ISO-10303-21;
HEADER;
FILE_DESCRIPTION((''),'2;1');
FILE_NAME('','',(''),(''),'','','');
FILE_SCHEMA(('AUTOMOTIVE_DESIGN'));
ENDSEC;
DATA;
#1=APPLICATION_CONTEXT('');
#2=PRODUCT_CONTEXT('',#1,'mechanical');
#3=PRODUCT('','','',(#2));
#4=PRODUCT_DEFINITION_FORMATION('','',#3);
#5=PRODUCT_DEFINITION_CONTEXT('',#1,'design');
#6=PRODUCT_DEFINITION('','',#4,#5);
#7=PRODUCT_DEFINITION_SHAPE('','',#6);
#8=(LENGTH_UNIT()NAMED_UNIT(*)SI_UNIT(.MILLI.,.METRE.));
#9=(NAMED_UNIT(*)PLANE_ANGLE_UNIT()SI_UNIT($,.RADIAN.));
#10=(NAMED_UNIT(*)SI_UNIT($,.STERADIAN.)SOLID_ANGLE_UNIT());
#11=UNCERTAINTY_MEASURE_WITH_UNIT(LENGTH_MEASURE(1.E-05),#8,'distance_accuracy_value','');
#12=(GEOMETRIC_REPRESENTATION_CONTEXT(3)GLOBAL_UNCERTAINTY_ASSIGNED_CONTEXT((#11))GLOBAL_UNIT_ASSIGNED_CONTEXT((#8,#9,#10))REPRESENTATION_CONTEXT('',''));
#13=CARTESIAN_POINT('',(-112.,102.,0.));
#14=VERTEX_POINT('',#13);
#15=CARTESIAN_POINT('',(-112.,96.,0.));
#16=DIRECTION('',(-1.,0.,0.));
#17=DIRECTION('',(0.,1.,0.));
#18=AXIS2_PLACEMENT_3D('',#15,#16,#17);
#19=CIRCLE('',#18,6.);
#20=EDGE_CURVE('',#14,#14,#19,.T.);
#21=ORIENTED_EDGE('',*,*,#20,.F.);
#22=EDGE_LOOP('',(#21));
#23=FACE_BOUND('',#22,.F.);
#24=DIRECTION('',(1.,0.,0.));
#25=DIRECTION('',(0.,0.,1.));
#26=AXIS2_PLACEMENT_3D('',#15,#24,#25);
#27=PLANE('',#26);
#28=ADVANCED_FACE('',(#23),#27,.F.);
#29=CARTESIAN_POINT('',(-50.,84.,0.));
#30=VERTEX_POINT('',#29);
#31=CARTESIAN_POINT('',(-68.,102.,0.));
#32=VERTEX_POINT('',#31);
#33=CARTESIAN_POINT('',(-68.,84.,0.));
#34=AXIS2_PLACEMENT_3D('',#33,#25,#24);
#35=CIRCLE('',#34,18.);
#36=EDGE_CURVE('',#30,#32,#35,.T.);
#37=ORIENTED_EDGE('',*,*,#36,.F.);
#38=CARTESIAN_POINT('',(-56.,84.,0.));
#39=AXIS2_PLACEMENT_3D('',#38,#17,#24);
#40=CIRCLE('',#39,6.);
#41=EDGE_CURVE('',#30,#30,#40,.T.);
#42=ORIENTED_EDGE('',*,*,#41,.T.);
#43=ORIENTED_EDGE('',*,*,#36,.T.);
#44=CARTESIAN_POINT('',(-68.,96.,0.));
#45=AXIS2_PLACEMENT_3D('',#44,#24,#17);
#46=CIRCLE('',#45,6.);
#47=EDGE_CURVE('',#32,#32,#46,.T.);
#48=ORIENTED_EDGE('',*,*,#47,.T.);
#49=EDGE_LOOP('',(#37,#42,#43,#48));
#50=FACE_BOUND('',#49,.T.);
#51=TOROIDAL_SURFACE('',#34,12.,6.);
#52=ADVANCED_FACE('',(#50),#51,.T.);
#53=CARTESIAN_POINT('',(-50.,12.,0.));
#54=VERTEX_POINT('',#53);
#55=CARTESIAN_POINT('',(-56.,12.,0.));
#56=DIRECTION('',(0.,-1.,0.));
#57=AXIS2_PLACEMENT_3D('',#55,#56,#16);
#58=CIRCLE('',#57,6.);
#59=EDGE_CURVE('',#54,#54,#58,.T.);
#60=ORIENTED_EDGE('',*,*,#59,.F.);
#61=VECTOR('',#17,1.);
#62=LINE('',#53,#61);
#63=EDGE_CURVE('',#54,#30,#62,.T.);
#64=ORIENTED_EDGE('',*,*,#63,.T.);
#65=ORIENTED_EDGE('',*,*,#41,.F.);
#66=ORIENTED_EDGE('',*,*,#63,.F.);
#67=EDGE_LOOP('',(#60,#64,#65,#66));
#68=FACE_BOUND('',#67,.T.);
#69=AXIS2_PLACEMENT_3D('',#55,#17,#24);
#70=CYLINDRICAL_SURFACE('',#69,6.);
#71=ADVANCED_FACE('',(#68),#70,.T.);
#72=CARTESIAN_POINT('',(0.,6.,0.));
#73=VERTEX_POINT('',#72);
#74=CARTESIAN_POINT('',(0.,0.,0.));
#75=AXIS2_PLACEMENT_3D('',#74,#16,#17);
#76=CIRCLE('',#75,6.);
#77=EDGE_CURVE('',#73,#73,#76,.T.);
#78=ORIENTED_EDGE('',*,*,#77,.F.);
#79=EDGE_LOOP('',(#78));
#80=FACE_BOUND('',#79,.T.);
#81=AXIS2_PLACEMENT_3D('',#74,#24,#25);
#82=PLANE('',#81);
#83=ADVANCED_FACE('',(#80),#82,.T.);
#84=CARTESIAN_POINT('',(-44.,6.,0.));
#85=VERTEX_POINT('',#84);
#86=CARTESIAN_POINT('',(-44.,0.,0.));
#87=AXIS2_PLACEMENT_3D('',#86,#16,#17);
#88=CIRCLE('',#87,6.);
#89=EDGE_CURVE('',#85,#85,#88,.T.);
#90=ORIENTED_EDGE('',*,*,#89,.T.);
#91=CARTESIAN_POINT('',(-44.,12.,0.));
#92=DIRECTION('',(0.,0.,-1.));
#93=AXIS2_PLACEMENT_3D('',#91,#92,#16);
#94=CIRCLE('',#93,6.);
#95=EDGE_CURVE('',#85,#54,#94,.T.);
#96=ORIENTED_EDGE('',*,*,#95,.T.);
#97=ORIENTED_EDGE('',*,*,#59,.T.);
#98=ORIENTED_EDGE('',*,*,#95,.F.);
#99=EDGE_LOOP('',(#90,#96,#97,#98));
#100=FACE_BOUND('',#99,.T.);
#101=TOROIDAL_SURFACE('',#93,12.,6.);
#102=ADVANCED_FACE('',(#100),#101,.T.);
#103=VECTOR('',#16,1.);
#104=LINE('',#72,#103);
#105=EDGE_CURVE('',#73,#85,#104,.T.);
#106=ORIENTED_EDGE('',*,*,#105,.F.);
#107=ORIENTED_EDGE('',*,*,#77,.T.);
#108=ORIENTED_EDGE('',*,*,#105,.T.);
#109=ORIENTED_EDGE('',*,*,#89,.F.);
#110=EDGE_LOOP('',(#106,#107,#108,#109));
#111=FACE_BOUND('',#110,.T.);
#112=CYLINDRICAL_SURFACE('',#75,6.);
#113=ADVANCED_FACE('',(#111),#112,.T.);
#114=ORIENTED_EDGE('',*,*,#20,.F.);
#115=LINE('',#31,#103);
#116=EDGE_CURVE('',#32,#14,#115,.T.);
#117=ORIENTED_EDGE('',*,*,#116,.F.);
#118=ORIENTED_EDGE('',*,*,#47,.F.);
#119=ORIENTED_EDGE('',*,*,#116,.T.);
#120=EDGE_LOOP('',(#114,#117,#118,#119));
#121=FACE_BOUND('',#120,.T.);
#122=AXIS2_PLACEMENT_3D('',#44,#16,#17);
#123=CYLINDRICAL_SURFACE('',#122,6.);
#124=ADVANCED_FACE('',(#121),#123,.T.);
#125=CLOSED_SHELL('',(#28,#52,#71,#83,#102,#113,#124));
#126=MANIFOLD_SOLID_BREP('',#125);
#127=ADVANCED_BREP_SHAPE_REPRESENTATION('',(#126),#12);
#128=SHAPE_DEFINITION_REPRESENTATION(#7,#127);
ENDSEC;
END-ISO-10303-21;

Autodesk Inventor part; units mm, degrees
ref_plane "YZ Plane" through (0, 0, 0) normal (1, 0, 0) x (0, 1, 0)
ref_plane "XZ Plane" through (0, 0, 0) normal (0, 1, 0) x (-1, 0, 0)
ref_plane "XY Plane" through (0, 0, 0) normal (0, 0, 1) x (1, 0, 0)
sketch "Sketch2" plane through (0, 0, 0) normal (0, 0, 1) x (1, 0, 0)
  line L0 (0, 0) -> (-44, 0)
  line L1 (-56, 12) -> (-56, 84)
  line L2 (-68, 96) -> (-112, 96)
  arc A0 (-56, 84) -> (-68, 96) centre (-68, 84) ccw
  arc A1 (-56, 12) -> (-44, 0) centre (-44, 12) ccw
  point P0 (-56, 0)
  point P1 (-56, 96)
  dimension "d0" = 56
  dimension "d1" = 96
  dimension "d2" = 56
  dimension "d3" = 12
sketch "Sketch3" plane through (0, 0, 0) normal (1, 0, 0) x (0, 1, 0)
  circle A0 centre (0, 0) radius 6
  dimension "d4" = 12
sweep "Sweep1" add profiles "Sketch3" path "Sketch2"
properties part number "handle"
